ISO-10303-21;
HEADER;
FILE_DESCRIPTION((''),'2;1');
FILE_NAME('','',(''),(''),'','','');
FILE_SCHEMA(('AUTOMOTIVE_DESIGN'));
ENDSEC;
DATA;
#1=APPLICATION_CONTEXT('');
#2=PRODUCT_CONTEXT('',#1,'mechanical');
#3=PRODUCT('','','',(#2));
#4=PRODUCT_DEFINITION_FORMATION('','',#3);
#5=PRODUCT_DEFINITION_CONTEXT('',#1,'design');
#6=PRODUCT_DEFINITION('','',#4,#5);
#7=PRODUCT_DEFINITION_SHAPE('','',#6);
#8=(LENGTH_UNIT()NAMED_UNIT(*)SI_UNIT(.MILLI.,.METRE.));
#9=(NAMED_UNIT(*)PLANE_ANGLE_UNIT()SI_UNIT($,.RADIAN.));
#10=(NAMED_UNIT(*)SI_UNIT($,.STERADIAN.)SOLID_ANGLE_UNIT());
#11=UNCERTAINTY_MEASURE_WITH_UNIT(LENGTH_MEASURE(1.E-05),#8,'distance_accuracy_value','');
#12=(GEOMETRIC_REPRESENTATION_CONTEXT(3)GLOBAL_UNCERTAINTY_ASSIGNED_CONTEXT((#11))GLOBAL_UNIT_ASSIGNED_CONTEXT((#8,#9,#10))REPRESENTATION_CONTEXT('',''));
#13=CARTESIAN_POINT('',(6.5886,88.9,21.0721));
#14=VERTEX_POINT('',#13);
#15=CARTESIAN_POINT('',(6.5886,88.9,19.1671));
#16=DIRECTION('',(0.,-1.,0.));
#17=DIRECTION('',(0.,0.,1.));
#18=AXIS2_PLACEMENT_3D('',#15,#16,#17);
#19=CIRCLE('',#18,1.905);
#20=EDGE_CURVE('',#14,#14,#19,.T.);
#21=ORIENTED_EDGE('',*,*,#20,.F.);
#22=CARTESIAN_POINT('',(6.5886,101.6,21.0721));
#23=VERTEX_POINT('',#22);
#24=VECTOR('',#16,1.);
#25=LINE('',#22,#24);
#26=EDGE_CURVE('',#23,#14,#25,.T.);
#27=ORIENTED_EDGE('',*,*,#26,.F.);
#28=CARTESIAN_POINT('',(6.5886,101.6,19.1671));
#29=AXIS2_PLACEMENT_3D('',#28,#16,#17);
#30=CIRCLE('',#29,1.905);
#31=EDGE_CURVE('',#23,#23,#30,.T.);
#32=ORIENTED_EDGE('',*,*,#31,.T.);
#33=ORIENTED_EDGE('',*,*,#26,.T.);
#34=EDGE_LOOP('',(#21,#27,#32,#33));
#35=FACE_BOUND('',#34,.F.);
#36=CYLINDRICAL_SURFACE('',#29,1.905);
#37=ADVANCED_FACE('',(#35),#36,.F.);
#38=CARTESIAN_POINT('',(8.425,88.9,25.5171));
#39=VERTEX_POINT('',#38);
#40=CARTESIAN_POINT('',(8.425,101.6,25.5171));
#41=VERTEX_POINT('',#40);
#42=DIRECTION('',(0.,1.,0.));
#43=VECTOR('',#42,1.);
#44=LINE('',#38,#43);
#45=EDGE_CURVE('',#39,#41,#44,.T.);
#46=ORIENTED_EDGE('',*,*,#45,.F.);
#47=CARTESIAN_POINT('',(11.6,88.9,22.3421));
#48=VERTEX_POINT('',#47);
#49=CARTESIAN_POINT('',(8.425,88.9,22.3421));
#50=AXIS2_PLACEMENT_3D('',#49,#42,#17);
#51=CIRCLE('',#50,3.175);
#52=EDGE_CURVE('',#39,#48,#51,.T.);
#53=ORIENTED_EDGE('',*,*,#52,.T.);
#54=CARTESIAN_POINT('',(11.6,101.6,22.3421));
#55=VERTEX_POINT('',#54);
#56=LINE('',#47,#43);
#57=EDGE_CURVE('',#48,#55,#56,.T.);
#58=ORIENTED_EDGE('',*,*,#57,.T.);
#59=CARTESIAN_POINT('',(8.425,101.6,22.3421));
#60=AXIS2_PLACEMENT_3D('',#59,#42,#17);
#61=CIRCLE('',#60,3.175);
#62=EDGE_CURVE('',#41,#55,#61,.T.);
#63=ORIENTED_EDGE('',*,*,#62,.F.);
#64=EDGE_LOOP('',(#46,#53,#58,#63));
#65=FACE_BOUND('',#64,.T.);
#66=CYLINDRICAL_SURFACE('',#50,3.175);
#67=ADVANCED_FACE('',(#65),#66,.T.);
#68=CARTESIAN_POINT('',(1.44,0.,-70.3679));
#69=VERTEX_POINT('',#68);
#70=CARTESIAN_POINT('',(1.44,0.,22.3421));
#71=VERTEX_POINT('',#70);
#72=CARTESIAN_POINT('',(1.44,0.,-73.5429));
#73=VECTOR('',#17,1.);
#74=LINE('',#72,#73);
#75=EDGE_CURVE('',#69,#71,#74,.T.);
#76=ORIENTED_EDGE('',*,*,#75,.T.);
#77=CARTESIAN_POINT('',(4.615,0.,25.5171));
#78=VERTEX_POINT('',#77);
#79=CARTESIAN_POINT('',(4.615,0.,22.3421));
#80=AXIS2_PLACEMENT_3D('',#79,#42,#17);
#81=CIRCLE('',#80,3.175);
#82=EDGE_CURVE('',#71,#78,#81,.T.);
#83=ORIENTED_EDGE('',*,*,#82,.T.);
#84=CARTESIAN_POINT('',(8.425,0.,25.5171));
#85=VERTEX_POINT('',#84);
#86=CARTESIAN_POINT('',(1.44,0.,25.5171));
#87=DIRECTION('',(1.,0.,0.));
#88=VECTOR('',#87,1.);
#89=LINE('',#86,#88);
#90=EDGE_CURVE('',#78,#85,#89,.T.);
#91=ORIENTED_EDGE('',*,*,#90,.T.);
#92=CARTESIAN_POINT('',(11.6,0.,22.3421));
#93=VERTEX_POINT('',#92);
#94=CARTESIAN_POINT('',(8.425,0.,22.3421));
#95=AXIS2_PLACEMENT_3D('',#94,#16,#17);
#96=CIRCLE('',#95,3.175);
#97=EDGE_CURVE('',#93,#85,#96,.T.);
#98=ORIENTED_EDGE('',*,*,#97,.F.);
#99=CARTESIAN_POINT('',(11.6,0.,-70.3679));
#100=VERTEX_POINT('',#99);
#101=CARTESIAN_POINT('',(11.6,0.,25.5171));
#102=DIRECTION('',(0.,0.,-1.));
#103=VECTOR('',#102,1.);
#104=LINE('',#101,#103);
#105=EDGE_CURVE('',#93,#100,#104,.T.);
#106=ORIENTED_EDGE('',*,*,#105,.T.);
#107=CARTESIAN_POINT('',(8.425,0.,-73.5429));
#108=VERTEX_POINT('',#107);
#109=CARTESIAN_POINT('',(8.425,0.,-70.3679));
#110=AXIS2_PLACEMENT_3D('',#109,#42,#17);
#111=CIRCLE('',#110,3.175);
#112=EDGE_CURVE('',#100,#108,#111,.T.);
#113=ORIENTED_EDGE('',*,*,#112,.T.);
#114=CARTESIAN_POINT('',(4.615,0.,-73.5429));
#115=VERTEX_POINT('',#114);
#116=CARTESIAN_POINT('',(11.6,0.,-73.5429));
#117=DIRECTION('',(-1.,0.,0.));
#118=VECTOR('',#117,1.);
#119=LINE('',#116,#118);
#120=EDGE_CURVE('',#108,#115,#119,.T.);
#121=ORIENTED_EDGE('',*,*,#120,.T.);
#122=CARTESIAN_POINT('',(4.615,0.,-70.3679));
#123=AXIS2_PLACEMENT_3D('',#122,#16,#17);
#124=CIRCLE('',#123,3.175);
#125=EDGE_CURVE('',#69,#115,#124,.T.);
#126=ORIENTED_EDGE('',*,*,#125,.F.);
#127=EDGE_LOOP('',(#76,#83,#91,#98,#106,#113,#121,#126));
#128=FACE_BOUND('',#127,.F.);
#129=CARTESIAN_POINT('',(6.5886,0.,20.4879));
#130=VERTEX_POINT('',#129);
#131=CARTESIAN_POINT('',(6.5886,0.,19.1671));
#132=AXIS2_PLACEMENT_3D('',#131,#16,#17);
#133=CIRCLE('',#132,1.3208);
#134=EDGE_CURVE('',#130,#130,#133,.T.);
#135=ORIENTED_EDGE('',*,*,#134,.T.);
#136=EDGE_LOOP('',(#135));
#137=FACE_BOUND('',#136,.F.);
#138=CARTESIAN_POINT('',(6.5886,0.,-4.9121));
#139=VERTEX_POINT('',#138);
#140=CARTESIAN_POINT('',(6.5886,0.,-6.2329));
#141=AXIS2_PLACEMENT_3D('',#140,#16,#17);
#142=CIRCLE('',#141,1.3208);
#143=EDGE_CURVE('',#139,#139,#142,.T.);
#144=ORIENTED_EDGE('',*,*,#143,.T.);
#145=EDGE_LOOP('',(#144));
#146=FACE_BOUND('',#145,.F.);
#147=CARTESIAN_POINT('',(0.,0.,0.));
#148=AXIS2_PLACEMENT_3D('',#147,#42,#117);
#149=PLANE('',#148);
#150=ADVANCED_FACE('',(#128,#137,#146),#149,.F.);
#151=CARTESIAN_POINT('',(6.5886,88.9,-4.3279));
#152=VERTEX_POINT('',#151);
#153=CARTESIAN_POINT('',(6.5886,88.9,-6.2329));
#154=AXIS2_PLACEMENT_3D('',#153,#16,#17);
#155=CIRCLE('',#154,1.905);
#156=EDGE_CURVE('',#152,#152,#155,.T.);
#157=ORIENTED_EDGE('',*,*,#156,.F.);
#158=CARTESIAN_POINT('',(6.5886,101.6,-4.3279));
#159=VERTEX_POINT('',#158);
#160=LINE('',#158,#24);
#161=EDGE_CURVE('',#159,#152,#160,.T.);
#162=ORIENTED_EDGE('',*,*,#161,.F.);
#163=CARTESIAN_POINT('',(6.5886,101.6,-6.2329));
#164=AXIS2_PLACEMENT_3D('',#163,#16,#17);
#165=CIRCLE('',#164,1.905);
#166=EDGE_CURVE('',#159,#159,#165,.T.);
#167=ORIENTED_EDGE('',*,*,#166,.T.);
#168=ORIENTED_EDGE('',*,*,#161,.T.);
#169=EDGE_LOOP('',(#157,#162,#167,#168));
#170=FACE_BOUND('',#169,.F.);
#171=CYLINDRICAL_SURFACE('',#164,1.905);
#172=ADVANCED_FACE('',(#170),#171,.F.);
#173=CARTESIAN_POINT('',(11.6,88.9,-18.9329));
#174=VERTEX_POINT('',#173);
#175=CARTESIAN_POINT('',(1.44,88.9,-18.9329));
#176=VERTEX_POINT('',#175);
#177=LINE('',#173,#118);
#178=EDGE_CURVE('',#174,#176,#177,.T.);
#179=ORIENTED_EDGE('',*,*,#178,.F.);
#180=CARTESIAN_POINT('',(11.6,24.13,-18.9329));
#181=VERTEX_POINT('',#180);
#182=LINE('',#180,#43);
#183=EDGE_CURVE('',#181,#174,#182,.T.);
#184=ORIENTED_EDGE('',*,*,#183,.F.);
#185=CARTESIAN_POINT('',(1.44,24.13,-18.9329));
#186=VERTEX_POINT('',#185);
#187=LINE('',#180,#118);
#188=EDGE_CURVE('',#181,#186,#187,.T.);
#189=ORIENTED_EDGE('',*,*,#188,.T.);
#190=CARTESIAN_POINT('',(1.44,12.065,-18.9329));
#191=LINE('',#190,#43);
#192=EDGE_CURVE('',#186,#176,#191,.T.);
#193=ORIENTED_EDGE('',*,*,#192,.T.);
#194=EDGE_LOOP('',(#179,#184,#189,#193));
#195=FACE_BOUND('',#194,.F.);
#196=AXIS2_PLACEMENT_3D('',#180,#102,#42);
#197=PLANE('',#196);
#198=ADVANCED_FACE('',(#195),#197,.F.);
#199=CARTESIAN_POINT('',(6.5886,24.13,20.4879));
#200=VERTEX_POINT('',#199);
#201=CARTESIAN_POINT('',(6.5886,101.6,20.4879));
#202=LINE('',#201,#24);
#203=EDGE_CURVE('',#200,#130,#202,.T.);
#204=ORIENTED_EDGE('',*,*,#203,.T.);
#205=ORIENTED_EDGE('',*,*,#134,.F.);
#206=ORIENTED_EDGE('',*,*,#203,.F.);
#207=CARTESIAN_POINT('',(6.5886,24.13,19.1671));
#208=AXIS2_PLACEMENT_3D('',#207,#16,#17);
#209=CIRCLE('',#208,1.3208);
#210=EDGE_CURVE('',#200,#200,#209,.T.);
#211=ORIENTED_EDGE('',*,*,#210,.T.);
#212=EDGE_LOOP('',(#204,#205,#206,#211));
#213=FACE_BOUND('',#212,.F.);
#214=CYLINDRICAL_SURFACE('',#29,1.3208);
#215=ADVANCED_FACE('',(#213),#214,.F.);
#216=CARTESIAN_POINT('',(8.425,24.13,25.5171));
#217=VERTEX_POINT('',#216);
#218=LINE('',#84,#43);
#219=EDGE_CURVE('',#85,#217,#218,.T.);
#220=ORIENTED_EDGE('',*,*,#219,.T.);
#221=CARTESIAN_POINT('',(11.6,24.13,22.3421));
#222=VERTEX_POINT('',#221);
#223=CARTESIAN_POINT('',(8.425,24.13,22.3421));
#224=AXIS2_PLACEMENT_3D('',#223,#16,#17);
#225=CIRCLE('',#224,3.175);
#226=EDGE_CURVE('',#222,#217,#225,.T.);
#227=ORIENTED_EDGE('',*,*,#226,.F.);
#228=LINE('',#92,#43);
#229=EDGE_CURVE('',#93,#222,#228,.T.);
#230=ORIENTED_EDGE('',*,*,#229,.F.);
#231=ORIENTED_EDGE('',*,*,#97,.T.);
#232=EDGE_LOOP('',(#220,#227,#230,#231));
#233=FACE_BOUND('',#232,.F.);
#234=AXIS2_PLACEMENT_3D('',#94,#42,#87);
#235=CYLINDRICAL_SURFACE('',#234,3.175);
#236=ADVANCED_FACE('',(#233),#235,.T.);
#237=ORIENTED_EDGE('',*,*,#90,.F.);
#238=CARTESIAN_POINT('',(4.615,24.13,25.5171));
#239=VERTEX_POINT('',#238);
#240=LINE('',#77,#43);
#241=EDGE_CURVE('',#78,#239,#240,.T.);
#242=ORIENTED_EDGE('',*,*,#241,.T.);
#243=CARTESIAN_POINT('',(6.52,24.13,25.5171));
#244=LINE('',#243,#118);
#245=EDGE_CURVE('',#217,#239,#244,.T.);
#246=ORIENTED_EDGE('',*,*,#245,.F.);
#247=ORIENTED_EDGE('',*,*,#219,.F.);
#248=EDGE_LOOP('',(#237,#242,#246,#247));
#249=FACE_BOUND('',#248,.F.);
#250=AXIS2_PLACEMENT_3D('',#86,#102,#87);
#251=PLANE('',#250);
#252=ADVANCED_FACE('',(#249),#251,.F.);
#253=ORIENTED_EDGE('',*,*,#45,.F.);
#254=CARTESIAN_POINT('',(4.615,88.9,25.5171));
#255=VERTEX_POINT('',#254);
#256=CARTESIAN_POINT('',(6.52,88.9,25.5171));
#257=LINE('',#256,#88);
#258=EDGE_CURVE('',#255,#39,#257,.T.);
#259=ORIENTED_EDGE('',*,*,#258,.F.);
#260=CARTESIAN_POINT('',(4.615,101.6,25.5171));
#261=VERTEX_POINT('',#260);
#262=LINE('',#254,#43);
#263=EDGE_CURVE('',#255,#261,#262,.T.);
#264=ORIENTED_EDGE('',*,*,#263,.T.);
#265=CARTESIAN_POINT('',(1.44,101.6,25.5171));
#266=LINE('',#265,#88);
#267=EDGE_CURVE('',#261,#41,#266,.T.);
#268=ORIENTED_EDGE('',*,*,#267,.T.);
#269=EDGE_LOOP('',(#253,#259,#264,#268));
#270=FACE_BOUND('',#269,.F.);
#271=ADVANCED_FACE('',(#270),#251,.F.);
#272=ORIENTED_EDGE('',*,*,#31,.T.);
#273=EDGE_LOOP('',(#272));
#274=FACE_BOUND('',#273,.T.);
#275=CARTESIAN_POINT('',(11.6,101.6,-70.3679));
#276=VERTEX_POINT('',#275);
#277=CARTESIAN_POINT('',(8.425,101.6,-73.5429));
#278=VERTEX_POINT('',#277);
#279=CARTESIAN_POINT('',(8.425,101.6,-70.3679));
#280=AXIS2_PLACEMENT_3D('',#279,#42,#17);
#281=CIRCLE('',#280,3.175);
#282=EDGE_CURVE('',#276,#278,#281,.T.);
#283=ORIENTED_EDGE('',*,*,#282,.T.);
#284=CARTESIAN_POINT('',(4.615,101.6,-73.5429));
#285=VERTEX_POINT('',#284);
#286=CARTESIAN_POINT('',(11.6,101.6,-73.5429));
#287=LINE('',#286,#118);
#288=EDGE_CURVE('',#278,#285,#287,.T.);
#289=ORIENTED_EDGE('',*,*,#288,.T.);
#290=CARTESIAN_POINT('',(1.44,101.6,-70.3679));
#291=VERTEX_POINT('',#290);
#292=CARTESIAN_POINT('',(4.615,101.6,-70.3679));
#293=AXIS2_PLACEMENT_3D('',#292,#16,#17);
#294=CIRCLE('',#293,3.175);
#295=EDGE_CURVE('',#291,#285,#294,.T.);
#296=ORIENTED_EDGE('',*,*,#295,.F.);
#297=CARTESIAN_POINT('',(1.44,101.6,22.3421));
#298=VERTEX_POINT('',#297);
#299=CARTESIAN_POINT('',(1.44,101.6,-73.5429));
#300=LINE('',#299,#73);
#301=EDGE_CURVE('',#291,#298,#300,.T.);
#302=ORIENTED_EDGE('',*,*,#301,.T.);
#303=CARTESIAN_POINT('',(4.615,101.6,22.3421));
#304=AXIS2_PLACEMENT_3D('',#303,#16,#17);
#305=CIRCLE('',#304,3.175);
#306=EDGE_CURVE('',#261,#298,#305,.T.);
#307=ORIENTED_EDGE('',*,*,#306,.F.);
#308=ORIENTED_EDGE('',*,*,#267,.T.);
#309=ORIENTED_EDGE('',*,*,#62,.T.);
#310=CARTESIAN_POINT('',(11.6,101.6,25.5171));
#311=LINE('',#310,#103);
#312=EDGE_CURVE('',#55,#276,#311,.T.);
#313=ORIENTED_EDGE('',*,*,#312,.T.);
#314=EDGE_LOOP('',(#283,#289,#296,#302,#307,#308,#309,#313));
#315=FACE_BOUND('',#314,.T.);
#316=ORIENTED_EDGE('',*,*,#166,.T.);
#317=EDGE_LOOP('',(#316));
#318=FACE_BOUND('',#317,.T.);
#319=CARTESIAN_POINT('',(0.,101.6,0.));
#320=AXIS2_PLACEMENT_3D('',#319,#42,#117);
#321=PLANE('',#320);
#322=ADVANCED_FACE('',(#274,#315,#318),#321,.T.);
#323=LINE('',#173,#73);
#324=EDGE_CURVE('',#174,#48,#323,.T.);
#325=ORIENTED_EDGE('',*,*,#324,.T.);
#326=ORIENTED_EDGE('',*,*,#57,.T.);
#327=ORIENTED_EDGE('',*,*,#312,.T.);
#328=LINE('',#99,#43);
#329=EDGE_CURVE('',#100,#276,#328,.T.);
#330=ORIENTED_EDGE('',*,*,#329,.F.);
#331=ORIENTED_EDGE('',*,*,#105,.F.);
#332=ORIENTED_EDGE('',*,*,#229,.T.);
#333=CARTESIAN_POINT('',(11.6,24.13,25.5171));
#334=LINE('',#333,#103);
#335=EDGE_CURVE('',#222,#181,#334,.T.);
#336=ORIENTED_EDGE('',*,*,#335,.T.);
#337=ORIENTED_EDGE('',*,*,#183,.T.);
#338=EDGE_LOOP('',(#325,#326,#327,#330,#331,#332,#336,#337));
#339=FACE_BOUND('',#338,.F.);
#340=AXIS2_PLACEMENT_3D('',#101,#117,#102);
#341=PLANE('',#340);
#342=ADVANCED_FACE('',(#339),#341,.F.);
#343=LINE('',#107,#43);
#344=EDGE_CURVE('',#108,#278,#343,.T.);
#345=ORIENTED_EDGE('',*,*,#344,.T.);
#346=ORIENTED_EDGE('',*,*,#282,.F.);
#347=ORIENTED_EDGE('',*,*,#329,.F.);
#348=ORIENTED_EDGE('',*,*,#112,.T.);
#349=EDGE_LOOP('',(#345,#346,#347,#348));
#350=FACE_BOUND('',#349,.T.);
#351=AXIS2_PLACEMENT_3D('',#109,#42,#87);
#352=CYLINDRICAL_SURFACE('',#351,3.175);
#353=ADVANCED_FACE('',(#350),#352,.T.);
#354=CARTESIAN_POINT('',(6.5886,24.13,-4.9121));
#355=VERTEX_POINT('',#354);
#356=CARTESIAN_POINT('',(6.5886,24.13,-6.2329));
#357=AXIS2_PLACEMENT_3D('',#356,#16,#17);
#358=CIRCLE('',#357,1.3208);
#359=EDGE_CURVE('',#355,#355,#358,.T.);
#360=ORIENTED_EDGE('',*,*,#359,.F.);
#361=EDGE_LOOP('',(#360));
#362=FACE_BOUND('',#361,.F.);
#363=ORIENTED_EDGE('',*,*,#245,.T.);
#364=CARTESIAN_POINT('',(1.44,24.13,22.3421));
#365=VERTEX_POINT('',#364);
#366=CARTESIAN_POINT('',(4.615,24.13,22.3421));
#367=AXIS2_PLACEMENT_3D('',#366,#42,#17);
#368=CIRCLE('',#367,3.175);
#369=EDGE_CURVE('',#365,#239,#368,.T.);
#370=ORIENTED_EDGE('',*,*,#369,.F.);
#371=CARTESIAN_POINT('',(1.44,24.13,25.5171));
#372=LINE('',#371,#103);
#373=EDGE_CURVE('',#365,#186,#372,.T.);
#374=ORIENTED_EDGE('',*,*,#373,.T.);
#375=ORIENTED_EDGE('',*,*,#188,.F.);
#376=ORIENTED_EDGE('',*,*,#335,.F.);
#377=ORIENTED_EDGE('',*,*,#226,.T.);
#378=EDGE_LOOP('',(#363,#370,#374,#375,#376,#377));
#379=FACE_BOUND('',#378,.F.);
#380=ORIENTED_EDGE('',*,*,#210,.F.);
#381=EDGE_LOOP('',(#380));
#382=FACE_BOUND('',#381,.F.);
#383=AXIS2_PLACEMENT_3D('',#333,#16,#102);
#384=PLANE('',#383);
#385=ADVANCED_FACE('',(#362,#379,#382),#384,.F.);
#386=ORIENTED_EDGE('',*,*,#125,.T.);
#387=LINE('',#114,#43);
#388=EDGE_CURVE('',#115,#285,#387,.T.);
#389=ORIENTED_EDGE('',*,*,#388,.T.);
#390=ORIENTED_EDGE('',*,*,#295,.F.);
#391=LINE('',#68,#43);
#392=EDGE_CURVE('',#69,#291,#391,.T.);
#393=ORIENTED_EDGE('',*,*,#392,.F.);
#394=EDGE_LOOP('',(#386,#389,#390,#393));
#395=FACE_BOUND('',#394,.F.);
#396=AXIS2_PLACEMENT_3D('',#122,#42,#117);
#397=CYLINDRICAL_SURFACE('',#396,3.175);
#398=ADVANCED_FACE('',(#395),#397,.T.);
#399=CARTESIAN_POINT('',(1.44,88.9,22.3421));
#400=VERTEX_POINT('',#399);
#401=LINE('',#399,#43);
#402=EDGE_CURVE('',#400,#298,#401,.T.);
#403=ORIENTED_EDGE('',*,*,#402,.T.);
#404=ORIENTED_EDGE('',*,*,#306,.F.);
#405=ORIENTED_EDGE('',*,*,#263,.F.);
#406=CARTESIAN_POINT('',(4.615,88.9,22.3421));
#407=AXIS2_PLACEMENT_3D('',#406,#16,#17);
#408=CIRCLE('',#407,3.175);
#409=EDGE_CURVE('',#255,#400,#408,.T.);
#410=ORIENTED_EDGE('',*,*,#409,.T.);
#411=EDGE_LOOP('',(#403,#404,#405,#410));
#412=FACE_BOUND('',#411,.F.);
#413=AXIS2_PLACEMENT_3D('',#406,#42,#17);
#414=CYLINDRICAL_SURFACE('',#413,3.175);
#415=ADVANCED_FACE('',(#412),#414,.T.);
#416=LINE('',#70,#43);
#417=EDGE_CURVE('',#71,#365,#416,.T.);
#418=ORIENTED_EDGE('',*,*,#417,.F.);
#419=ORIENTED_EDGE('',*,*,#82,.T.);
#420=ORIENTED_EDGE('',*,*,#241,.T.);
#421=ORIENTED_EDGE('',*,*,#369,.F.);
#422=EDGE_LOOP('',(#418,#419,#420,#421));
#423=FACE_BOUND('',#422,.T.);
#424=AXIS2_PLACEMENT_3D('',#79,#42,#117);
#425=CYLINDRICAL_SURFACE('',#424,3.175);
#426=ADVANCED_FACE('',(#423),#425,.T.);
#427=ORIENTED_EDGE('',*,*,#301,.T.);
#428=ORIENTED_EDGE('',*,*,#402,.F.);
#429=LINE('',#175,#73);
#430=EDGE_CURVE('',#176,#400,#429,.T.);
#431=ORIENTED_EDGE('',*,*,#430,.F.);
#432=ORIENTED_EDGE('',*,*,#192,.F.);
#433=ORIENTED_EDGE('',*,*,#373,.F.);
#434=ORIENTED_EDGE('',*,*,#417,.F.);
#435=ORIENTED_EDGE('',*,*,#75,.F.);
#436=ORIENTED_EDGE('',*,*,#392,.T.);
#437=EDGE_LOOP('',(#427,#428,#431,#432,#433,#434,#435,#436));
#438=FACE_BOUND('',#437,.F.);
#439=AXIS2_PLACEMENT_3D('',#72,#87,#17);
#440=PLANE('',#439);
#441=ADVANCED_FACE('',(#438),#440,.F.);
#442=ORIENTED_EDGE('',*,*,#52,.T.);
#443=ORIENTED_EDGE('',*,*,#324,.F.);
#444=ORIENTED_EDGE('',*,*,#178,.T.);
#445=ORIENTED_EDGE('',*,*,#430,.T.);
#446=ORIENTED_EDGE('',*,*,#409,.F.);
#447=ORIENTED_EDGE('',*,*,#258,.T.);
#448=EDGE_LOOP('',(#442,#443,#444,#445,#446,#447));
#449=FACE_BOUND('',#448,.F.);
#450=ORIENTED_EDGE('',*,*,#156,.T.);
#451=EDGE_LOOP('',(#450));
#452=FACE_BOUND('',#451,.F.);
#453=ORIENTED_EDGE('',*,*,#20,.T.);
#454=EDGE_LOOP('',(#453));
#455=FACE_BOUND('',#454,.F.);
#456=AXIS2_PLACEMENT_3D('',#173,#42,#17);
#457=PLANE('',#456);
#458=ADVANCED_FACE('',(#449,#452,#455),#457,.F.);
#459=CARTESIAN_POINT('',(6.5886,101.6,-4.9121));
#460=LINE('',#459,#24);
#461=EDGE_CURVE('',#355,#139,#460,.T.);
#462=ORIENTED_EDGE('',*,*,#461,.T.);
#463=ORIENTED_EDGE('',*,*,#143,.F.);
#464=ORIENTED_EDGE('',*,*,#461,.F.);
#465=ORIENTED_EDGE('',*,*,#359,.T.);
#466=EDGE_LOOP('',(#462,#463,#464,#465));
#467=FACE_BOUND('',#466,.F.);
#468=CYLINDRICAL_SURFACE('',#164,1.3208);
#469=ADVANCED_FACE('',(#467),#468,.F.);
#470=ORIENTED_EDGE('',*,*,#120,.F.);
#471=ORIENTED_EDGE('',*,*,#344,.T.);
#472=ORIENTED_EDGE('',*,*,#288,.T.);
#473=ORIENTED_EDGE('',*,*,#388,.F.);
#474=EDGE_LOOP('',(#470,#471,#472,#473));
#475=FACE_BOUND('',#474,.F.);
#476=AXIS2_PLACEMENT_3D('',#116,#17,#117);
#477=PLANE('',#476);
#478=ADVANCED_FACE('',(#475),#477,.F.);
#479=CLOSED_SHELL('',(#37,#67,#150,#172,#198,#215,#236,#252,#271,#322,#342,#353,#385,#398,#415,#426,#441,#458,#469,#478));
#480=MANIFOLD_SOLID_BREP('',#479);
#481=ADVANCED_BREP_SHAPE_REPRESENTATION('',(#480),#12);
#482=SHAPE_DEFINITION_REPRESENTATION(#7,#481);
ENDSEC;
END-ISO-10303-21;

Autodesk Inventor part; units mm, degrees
ref_plane "YZ Plane" through (0, 0, 0) normal (1, 0, 0) x (0, 1, 0)
ref_plane "XZ Plane" through (0, 0, 0) normal (0, 1, 0) x (-1, 0, 0)
ref_plane "XY Plane" through (0, 0, 0) normal (0, 0, 1) x (1, 0, 0)
sketch "Sketch1" plane through (0, 0, 0) normal (0, 1, 0) x (-1, 0, 0)
  line L0 (-1.44, 25.5171) -> (-11.6, 25.5171)
  line L1 (-11.6, 25.5171) -> (-11.6, -73.5429)
  line L2 (-11.6, -73.5429) -> (-1.44, -73.5429)
  line L3 (-1.44, -73.5429) -> (-1.44, 25.5171)
  point P0 (0, 0)
  dimension "d0" = 99.06
  dimension "d1" = 10.16
extrude "Extrusion1" add sketch "Sketch1" along normal blind 101.6
sketch "Sketch2" plane through (0, 101.6, 0) normal (0, 1, 0) x (1, 0, 0)
  line L0 (1.44, -25.5171) -> (11.6, -25.5171) projected
  point P0 (0, 0)
  point P1 (6.5886, -19.1671)
  point P2 (6.5886, 6.2329)
  dimension "d4" = 0
  dimension "d5" = 6.35
  dimension "d6" = 25.4
hole "Hole1" at (6.5886, 101.6, 19.1671) at (6.5886, 101.6, -6.2329) direction (0, -1, 0) diameter 2.6416 end through all thread size "6-32 UNC" class "2B" standard "ANSI Unified Screw Threads"
sketch "Sketch3" plane through (11.6, 0, 25.5171) normal (1, 0, 0) x (0, 0, -1)
  line L0 (12.7, 88.9) -> (-33.0221, 88.9)
  line L1 (-33.0221, 88.9) -> (-33.0221, 24.13)
  line L2 (-33.0221, 24.13) -> (12.7, 24.13)
  line L3 (12.7, 24.13) -> (12.7, 88.9)
  line L4 (0, 101.6) -> (99.06, 101.6) projected
  line L5 (0, 0) -> (0, 101.6) projected
  point P0 (25.5171, 0)
  dimension "d15" = 12.7
  dimension "d16" = 64.77
  dimension "d19" = 12.7
extrude "Extrusion2" cut sketch "Sketch3" against normal blind 25.4
sketch "Sketch4" plane through (11.6, 0, 25.5171) normal (1, 0, 0) x (0, 0, -1)
  line L0 (12.7, 24.13) -> (44.45, 24.13)
  line L1 (44.45, 24.13) -> (44.45, 88.9)
  line L2 (44.45, 88.9) -> (12.7, 88.9)
  line L3 (12.7, 88.9) -> (12.7, 24.13)
  line L4 (0, 88.9) -> (12.7, 88.9) projected
  line L5 (12.7, 24.13) -> (0, 24.13) projected
  line L6 (12.7, 88.9) -> (12.7, 24.13) projected
  point P0 (25.5171, 0)
  dimension "d20" = 31.75
  dimension "d21" = 0
  dimension "d22" = 0
  dimension "d23" = 0
extrude "Extrusion3" cut sketch "Sketch4" against normal blind 25.4
sketch "Sketch5" plane through (0, 101.6, 0) normal (0, 1, 0) x (1, 0, 0)
  circle A0 centre (6.5886, 6.2329) radius 1.3208 projected
  circle A1 centre (6.5886, -19.1671) radius 1.3208 projected
  point P0 (0, 0)
hole "Hole2" at (6.5886, 101.6, 19.1671) at (6.5886, 101.6, -6.2329) direction (0, -1, 0) diameter 3.81 depth 15.24 tip angle 118.188 clearance for "Flat Head Machine Screw (82)" size "#6" standard "Ansi Unified Screw Threads"
fillet "Fillet1" radius 3.175 1 edges at (11.6, 95.25, 25.5171)
fillet "Fillet2" radius 3.175 5 edges at (11.6, 12.065, 25.5171) (1.44, 12.065, 25.5171) (1.44, 95.25, 25.5171) (11.6, 50.8, -73.5429) (1.44, 50.8, -73.5429)
properties part number "GripperPlate"
